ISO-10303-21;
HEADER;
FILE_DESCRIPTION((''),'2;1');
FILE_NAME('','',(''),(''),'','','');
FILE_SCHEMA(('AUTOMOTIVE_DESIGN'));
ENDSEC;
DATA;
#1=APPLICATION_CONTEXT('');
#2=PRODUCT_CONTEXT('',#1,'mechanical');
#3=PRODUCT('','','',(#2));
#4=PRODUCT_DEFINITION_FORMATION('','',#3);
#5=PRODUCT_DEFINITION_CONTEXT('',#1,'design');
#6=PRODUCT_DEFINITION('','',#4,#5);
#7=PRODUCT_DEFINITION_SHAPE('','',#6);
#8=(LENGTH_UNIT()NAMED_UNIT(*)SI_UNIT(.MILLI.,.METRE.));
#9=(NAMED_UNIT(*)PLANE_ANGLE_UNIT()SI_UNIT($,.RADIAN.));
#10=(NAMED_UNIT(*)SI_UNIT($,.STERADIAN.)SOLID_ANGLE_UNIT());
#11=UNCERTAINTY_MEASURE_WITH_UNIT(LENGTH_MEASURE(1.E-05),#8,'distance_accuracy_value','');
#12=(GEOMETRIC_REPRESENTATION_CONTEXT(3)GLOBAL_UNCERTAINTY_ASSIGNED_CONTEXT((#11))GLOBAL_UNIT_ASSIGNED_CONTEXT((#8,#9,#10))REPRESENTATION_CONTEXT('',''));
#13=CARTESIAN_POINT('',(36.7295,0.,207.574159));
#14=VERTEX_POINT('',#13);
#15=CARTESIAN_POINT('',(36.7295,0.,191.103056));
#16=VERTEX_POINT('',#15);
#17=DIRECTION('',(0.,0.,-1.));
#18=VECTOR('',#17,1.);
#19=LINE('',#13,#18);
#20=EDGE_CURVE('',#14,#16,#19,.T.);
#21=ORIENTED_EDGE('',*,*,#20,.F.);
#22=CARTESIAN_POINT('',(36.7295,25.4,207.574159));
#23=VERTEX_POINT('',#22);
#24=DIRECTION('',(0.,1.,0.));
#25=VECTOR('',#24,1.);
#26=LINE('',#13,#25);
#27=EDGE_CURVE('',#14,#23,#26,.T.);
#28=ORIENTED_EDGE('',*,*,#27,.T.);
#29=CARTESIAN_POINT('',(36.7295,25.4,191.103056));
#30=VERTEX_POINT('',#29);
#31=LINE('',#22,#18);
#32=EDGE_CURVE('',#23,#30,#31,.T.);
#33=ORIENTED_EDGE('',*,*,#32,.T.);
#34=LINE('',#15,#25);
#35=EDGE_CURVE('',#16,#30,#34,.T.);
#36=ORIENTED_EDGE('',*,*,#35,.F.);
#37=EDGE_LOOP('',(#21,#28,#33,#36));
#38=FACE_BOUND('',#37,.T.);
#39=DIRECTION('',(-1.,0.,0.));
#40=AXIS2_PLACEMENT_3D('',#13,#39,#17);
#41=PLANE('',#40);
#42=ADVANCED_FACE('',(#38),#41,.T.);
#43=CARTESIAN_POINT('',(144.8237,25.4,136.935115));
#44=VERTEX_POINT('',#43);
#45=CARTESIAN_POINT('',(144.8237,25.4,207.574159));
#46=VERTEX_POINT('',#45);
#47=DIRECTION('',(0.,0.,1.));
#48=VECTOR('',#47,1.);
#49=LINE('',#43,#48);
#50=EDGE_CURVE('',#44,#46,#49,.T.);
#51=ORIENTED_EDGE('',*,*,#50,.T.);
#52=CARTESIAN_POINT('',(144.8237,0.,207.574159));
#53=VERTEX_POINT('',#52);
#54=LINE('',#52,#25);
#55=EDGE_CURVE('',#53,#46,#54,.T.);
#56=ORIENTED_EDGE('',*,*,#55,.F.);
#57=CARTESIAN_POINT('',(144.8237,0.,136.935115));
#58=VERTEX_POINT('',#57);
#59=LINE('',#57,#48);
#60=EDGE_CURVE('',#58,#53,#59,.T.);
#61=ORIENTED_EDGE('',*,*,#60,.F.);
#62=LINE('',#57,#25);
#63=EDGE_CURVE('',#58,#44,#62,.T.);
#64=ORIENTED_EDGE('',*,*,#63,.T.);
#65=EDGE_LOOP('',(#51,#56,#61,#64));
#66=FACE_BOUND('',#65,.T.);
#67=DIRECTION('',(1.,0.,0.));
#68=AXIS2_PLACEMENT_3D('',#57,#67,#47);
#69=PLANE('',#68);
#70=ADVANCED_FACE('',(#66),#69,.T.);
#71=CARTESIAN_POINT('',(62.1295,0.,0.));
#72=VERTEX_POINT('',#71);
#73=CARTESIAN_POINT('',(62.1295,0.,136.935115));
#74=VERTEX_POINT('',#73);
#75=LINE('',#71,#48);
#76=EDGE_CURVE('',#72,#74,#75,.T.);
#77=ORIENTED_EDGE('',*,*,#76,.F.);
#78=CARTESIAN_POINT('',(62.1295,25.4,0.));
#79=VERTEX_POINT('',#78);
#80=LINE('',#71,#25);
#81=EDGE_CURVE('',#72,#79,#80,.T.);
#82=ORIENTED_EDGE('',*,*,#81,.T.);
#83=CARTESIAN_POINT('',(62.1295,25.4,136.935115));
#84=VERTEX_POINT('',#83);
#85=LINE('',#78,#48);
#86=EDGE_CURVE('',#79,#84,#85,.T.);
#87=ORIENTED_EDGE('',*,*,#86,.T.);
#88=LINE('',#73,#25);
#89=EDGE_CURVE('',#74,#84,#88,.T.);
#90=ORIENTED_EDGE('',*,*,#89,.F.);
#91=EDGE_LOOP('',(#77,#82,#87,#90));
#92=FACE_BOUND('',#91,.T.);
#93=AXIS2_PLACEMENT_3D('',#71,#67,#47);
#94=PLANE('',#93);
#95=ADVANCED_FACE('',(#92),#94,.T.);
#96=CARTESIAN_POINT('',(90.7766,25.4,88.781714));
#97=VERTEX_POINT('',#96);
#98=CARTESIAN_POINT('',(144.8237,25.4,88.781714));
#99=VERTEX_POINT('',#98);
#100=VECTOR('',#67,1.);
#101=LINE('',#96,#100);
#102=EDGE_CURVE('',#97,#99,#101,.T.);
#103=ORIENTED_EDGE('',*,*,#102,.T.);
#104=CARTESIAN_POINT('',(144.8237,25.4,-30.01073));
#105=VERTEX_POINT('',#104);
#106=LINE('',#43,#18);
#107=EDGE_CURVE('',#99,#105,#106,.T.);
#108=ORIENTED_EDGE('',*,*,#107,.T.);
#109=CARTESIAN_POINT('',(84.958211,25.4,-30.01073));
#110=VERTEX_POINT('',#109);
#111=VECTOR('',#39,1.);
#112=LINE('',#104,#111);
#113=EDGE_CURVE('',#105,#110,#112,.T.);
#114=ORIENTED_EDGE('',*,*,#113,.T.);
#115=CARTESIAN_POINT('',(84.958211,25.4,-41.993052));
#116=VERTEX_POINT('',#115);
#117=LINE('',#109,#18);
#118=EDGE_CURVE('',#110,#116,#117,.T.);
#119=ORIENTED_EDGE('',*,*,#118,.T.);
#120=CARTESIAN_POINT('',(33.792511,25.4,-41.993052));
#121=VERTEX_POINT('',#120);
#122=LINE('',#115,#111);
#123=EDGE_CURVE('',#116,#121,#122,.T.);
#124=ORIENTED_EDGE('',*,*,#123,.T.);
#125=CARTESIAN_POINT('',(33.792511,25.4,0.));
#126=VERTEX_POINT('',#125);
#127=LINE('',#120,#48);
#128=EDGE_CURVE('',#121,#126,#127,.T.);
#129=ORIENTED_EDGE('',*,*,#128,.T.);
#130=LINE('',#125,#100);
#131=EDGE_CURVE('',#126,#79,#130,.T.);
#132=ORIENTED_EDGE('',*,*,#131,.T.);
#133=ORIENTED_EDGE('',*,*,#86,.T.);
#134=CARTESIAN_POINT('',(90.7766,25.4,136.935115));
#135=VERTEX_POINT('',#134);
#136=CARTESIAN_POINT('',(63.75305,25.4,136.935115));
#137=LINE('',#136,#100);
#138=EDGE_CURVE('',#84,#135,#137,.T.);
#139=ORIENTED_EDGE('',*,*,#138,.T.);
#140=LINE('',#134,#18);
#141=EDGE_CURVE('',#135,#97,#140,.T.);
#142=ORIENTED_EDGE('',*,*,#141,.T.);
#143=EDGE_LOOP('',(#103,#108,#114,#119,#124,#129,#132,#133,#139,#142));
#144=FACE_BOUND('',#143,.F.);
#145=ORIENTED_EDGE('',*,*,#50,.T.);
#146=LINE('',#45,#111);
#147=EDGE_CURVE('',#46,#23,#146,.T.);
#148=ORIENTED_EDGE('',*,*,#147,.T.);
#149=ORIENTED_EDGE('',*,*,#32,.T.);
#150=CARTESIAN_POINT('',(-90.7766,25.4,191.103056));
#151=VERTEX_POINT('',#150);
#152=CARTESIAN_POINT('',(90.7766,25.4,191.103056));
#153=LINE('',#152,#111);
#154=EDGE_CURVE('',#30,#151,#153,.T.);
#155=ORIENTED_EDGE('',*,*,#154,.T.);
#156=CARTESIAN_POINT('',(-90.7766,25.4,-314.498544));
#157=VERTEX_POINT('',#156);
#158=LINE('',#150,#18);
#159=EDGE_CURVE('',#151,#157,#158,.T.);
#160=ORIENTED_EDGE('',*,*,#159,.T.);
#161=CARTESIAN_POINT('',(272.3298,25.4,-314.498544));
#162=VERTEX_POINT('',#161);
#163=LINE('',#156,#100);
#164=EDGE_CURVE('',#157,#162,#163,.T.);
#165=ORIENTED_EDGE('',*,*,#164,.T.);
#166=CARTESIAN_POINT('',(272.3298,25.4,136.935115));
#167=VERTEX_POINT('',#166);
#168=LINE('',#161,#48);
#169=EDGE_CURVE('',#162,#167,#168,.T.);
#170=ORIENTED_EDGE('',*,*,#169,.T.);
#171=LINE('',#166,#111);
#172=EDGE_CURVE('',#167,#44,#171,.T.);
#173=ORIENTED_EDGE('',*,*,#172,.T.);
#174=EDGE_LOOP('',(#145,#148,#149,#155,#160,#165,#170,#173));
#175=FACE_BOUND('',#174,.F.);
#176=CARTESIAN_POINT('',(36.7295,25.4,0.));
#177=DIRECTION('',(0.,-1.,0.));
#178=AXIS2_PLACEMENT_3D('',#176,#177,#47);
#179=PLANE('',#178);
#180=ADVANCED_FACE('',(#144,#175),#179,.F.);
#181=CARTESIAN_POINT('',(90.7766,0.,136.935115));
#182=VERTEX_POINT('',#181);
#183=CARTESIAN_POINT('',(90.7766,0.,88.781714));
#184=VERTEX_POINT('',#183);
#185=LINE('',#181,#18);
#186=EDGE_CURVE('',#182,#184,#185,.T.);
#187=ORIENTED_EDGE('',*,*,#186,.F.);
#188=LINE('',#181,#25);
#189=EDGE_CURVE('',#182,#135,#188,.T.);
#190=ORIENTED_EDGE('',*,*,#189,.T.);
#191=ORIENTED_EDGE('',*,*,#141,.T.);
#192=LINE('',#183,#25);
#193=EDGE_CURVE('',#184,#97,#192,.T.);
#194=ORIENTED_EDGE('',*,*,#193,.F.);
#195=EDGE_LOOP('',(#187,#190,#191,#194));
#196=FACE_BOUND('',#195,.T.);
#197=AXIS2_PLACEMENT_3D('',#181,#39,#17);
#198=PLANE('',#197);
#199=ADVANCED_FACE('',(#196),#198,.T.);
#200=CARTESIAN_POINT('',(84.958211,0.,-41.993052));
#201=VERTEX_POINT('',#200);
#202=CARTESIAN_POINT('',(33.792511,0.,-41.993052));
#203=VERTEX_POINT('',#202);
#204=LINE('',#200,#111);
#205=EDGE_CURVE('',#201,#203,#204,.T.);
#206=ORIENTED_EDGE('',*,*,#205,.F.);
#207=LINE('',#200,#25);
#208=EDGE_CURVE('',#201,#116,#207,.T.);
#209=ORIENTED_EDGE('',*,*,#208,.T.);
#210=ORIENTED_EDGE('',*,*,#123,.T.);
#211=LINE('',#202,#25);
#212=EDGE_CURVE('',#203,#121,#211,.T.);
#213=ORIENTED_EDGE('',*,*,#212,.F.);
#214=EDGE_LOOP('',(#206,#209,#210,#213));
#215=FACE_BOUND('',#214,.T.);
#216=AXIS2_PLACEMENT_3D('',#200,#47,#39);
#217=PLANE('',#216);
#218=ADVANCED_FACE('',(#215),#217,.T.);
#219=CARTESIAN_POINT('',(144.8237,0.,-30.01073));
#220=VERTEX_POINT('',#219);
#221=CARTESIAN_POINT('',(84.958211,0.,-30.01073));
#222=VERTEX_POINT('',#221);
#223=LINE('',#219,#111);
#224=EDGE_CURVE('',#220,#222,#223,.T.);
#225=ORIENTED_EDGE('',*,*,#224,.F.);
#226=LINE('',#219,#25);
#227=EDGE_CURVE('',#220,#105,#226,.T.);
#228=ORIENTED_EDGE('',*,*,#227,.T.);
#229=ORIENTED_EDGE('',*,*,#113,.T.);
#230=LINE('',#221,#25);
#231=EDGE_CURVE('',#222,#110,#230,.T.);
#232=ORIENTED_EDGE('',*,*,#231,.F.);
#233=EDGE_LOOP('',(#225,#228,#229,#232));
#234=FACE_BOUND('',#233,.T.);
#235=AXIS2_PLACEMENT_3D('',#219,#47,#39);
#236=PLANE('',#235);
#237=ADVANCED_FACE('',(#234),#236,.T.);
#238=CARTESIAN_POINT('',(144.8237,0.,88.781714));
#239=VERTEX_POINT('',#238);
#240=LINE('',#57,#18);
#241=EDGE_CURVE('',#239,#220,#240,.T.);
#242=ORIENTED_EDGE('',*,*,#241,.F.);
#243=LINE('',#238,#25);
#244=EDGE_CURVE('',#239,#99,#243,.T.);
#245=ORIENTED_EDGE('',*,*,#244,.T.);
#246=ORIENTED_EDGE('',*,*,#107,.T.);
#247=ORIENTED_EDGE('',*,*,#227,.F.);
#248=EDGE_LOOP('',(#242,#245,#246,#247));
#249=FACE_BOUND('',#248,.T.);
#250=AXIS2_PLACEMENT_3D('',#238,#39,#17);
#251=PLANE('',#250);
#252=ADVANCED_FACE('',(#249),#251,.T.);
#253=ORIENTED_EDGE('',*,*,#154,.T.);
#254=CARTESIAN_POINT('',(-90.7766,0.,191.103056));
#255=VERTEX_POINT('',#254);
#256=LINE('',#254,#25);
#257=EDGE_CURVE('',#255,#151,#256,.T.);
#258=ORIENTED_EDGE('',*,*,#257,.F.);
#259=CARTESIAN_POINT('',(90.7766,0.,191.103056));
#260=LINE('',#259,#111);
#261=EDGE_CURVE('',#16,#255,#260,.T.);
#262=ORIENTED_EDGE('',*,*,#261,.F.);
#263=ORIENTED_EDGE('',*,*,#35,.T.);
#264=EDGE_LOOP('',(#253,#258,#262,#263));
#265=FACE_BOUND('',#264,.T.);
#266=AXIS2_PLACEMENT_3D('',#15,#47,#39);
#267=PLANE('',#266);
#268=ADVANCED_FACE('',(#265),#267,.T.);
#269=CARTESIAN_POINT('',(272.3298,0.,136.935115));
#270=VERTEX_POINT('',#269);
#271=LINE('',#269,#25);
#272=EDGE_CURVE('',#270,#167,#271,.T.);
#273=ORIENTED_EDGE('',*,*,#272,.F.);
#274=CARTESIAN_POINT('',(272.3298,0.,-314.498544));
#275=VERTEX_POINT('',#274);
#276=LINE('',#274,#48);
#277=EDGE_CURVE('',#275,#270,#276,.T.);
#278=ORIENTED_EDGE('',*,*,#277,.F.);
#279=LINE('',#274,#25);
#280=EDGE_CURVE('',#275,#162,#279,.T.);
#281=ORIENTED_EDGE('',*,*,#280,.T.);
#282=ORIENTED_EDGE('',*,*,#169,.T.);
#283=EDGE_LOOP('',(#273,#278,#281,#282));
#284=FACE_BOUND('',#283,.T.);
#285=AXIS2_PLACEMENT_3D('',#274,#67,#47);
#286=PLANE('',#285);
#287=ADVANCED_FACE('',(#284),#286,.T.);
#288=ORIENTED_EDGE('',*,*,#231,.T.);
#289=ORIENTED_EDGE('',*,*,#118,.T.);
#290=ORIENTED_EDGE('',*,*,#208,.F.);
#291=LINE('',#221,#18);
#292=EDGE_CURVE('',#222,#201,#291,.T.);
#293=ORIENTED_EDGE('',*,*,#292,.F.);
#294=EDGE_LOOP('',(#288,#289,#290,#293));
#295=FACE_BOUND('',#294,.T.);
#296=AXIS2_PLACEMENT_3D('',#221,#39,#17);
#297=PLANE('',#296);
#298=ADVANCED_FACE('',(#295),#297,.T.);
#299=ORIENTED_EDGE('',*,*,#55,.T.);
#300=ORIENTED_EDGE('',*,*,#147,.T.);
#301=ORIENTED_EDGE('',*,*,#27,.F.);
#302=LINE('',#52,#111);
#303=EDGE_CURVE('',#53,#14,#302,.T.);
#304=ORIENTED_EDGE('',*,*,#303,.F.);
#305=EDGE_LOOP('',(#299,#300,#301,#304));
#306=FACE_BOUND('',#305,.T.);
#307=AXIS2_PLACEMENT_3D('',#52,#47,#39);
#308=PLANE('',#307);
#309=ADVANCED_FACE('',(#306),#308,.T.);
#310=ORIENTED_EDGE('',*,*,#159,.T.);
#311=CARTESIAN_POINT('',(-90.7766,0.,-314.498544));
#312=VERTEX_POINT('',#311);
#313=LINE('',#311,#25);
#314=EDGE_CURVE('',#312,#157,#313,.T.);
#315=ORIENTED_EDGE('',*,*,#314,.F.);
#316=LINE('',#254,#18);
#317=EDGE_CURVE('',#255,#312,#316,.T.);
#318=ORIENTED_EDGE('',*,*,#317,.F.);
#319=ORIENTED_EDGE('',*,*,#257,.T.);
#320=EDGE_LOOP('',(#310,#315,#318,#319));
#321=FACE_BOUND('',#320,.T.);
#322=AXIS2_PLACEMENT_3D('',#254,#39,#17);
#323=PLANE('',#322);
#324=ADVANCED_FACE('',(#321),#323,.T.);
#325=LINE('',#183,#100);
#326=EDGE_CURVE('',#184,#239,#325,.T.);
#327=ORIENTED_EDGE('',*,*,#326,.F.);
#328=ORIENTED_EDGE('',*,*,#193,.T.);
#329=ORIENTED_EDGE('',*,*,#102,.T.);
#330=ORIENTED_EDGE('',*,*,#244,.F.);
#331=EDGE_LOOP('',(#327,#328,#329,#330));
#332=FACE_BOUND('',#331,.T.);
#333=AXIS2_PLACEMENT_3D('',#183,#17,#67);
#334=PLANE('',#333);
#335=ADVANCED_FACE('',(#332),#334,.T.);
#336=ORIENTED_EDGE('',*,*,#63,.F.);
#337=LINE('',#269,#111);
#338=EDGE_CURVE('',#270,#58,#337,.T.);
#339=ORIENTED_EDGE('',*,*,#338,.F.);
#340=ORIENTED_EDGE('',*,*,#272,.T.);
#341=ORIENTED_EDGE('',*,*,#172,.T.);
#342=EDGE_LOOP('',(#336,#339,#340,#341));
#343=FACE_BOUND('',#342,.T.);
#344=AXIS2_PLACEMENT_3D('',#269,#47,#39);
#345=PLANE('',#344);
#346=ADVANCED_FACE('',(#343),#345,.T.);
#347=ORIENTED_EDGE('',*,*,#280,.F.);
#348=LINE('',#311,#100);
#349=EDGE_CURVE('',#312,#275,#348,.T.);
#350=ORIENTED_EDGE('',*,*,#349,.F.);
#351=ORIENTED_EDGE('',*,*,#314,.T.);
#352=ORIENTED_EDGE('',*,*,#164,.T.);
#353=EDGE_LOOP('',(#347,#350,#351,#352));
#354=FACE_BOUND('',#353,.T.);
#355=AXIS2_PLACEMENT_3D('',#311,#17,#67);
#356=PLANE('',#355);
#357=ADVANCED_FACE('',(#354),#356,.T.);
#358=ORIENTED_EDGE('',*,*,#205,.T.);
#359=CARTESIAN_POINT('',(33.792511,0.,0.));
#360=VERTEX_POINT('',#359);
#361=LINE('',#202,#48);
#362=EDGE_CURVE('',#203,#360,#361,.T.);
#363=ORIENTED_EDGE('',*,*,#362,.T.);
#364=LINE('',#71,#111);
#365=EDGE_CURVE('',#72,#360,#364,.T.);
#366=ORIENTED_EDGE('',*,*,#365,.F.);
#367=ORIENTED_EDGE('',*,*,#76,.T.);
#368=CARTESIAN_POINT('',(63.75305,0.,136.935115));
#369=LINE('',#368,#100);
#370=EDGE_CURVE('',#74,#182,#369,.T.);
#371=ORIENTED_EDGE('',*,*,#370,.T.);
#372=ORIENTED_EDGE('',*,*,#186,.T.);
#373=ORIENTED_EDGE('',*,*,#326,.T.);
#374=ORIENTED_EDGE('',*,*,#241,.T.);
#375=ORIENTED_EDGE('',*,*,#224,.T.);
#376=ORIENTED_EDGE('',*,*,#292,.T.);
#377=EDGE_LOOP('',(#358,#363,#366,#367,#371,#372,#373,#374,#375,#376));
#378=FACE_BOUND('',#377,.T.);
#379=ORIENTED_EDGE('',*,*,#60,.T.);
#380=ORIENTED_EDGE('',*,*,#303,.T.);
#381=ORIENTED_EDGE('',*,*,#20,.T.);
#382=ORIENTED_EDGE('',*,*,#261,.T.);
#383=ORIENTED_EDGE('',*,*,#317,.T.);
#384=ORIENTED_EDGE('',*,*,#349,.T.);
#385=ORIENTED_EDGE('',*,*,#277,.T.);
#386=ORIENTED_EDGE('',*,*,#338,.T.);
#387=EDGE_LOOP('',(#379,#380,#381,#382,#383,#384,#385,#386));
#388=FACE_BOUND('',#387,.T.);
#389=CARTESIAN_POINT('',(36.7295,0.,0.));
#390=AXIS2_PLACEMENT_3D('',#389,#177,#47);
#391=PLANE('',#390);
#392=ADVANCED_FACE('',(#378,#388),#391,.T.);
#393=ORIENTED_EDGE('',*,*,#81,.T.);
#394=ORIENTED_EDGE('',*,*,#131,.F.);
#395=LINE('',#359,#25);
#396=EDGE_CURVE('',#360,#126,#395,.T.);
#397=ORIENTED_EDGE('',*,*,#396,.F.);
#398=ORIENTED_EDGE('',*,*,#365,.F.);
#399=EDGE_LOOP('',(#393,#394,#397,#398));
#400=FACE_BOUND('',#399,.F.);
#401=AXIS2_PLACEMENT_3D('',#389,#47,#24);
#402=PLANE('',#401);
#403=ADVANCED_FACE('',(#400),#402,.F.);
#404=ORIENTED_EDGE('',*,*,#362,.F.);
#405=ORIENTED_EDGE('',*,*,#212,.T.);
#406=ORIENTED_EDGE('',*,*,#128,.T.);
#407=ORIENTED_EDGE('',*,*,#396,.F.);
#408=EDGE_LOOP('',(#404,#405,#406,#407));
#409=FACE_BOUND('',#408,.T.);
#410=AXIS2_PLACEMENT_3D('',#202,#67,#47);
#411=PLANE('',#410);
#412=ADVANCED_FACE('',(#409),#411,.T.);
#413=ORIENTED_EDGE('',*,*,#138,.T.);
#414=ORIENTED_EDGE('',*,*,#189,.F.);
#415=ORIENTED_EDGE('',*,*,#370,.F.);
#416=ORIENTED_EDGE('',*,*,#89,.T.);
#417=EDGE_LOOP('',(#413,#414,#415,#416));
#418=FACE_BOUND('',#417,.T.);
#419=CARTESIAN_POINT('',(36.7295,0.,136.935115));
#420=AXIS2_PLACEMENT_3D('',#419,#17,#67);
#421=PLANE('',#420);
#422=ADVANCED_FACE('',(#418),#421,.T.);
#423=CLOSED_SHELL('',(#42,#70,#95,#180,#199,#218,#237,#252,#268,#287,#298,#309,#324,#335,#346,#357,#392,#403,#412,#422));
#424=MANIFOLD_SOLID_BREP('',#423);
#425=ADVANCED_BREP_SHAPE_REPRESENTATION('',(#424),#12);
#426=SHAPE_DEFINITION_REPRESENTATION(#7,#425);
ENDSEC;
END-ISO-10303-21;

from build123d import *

# Parameters (mm, degrees)
F0_W     = 181.5531998873
F0_H     = 102.3213416338
F0_W_2   = 127.5060996413
F0_H_2   = 48.1534004211
F0_H_3   = 54.1679412127
F0_W_3   = 54.047100246
F1_DEPTH = 25.4
F2_DEPTH = 25.4


with BuildPart() as f1:
    # F0 (on Front) → F1 (new body)
    with BuildSketch(Plane.XZ):
        with Locations((0, -139.9423852563)):
            Rectangle(F0_W, F0_H)
        Polygon((90.7765999436, -191.1030560732), (-90.7765999436, -191.1030560732), (-90.7765999436, -314.4985437393), (272.3297998309, -314.4985437393), (272.3297998309, -88.7817144394), (90.7765999436, -88.7817144394), align=None)
        Polygon((-90.7765999436, 88.7817144394), (-90.7765999436, -88.7817144394), (90.7765999436, -88.7817144394), (90.7765999436, -30.0107300282), (84.9582105875, -30.0107300282), (84.9582105875, -41.9930517673), (33.7925106287, -41.9930517673), (33.7925106287, 0), (36.7294996977, 0), (36.7294996977, 88.7817144394), align=None)
        Polygon((90.7765999436, -30.0107300282), (90.7765999436, -88.7817144394), (272.3297998309, -88.7817144394), (272.3297998309, 88.7817144394), (144.8237001896, 88.7817144394), (144.8237001896, 0), (144.8237001896, -30.0107300282), align=None)
        with Locations((-27.023550123, 112.85841465)):
            Rectangle(F0_W_2, F0_H_2)
        with Locations((-27.023550123, 164.0190854669)):
            Rectangle(F0_W_2, F0_H_3)
        with Locations((208.5767500103, 112.85841465)):
            Rectangle(F0_W_2, F0_H_2)
        with Locations((63.7530498207, 164.0190854669)):
            Rectangle(F0_W_3, F0_H_3)
        Polygon((90.7765999436, 118.6627522111), (90.7765999436, 88.7817144394), (144.8237001896, 88.7817144394), (144.8237001896, 136.9351148605), (90.7765999436, 136.9351148605), align=None)
        Polygon((36.7294996977, 207.5741589069), (36.7294996977, 191.1030560732), (90.7765999436, 191.1030560732), (90.7765999436, 136.9351148605), (144.8237001896, 136.9351148605), (144.8237001896, 207.5741589069), align=None)
    extrude(amount=-F1_DEPTH)

    # F2 (add): a face of the model
    f2_faces = [f1.faces().sort_by_distance(p)[0] for p in [
        (36.7294996977, 12.7, 68.4675574303),
    ]]
    extrude(f2_faces, amount=F2_DEPTH)


solid = f1.part
